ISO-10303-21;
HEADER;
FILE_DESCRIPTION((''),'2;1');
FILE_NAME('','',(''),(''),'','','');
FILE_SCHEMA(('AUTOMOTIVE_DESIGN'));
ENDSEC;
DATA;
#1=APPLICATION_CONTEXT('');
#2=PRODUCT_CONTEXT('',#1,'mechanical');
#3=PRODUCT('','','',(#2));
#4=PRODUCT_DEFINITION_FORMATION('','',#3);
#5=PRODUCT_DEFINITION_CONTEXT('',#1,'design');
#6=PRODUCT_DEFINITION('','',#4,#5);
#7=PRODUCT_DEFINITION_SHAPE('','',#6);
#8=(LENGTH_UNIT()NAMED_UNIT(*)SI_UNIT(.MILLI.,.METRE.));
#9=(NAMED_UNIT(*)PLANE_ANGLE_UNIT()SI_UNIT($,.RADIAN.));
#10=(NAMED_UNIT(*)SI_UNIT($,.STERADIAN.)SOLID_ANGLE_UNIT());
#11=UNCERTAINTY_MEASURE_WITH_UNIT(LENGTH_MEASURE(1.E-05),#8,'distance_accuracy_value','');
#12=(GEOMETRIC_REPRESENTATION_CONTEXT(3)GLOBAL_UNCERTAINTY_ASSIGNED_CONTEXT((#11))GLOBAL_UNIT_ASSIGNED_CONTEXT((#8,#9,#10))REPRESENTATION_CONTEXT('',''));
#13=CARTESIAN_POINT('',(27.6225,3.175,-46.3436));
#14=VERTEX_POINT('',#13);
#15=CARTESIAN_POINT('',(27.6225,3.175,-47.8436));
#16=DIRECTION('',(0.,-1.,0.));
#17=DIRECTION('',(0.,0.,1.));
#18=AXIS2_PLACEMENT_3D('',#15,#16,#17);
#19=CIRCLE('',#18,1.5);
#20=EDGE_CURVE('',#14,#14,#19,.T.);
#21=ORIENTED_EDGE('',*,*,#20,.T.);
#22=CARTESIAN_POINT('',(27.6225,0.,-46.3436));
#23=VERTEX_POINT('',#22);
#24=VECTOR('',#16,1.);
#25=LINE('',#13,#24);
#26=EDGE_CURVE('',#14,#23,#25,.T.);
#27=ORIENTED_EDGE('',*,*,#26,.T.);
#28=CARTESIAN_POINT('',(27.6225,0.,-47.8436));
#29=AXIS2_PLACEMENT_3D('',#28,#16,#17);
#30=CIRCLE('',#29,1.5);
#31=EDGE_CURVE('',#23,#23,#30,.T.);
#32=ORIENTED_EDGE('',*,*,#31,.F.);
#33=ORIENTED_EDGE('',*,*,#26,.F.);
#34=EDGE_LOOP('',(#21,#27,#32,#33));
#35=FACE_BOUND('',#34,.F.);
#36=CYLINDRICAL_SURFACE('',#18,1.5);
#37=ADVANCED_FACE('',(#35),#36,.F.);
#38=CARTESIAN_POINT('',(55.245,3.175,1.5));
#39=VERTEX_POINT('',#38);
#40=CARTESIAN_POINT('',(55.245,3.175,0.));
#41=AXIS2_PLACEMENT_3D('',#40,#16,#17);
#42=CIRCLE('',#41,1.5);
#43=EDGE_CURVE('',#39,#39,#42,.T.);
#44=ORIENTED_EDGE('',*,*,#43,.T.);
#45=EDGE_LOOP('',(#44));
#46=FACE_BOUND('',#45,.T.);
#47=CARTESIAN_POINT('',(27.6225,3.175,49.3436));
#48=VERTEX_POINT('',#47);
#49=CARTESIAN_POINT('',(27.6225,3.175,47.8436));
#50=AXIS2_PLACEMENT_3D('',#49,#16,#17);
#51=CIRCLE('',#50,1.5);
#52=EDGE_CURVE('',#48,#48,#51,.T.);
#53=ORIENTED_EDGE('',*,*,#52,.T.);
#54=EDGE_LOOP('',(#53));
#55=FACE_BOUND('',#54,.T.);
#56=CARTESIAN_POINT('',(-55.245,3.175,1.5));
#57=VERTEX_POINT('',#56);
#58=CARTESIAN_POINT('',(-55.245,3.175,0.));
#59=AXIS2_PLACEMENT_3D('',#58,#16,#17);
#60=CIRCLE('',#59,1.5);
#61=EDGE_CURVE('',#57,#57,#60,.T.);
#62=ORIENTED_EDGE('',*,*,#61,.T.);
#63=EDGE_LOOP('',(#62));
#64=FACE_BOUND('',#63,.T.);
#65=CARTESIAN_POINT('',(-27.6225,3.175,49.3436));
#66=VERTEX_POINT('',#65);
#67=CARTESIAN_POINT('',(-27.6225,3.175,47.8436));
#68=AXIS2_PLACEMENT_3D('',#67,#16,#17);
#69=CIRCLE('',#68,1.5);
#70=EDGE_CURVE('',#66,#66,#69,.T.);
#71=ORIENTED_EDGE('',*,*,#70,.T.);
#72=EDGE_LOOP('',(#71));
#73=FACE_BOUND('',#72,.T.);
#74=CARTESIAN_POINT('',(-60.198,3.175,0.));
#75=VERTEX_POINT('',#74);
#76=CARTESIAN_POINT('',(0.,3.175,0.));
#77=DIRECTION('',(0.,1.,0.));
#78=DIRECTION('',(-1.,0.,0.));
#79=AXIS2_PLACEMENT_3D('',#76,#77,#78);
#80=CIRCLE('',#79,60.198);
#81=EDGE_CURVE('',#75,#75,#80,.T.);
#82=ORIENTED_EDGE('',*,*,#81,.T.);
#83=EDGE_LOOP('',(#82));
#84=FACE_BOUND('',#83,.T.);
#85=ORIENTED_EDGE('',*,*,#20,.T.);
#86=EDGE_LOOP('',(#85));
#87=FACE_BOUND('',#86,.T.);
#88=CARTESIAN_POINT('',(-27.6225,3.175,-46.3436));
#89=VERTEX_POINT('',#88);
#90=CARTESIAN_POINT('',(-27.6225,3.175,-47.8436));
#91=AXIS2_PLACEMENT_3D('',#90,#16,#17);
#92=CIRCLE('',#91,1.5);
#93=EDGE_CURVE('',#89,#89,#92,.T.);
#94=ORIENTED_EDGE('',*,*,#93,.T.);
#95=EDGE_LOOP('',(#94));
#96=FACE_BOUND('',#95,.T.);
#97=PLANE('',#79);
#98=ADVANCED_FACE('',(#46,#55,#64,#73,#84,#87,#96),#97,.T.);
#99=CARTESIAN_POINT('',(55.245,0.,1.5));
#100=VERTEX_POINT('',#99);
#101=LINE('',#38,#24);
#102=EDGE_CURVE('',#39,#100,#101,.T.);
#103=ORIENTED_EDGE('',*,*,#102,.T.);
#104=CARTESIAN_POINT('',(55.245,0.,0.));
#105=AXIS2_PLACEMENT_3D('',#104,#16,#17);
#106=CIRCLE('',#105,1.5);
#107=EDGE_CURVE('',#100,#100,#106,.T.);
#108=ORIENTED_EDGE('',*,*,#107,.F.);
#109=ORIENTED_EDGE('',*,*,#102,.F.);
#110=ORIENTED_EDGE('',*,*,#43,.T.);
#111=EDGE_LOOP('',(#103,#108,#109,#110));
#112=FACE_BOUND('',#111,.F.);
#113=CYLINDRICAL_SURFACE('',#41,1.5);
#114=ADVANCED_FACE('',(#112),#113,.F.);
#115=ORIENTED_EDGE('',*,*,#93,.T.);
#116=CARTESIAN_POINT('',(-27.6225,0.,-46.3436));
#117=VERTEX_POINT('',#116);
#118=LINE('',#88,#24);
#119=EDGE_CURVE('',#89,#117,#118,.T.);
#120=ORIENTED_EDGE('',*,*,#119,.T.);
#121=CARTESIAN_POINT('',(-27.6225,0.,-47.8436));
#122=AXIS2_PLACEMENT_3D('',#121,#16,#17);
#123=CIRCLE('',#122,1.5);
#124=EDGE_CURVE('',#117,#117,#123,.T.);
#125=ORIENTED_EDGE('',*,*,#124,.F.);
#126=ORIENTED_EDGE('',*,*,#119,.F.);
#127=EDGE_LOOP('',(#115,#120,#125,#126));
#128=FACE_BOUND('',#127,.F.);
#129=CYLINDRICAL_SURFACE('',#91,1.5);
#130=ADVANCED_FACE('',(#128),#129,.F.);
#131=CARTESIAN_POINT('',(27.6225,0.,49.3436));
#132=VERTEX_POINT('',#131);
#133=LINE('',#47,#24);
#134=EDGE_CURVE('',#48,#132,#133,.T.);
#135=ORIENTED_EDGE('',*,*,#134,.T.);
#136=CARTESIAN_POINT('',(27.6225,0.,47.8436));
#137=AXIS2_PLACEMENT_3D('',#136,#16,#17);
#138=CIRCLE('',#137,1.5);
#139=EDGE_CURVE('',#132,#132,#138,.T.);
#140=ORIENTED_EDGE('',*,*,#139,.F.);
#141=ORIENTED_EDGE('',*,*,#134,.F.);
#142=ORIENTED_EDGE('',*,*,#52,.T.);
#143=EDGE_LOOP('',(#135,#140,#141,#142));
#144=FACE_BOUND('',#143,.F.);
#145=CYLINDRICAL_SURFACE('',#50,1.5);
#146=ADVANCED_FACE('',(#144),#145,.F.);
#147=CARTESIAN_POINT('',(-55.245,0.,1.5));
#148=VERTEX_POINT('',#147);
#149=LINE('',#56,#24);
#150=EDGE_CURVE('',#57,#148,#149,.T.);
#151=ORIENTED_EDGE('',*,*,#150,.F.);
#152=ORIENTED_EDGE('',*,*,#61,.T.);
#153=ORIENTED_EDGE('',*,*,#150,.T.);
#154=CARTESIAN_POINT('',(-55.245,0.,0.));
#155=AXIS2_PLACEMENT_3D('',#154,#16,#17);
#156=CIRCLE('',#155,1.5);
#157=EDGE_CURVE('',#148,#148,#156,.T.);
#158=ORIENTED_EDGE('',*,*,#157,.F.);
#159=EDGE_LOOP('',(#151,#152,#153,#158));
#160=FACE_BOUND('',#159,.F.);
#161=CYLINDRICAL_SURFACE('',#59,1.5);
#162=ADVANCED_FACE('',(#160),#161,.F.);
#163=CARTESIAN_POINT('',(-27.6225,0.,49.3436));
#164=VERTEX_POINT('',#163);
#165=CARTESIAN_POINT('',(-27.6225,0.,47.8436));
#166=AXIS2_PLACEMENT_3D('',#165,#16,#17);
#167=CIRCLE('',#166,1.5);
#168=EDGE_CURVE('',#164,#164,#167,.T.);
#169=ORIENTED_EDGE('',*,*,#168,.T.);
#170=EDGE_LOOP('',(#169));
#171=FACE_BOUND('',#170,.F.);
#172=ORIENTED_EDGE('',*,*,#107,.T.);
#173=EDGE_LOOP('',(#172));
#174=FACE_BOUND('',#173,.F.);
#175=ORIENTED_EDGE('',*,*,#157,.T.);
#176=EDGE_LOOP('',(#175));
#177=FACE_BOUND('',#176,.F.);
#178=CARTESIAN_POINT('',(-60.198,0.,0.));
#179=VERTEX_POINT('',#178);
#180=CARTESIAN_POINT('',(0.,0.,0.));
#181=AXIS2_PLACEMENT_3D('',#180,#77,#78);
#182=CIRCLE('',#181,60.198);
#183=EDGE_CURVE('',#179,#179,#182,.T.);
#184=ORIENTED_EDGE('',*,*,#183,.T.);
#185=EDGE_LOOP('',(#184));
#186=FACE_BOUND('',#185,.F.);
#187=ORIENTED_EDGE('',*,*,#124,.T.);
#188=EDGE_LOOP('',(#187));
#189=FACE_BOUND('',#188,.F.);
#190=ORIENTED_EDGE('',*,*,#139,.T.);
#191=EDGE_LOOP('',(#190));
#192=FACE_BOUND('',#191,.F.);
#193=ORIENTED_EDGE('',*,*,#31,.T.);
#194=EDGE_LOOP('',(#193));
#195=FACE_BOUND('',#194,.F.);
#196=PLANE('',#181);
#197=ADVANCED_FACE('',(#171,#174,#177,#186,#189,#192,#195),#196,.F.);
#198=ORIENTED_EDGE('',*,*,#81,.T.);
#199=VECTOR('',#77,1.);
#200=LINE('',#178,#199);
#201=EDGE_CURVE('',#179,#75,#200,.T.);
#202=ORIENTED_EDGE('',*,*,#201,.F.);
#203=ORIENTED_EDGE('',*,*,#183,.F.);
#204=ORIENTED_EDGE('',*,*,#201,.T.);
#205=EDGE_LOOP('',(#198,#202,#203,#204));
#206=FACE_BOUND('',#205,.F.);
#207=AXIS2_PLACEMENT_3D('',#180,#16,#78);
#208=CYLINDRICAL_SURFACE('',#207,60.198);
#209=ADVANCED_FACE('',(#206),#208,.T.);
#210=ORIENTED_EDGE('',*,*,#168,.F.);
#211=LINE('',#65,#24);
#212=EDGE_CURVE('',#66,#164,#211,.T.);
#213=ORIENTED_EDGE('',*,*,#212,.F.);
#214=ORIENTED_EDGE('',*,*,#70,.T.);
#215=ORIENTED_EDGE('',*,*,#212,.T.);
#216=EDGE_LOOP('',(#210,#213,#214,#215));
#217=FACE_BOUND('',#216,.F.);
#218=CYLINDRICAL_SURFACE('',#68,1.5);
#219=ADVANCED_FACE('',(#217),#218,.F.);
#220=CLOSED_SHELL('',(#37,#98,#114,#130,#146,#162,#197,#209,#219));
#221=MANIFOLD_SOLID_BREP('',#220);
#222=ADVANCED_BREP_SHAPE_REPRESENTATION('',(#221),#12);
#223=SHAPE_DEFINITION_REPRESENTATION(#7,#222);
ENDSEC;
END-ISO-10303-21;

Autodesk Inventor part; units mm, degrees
ref_plane "YZ Plane" through (0, 0, 0) normal (1, 0, 0) x (0, 1, 0)
ref_plane "XZ Plane" through (0, 0, 0) normal (0, 1, 0) x (-1, 0, 0)
ref_plane "XY Plane" through (0, 0, 0) normal (0, 0, 1) x (1, 0, 0)
sketch "Sketch2" plane through (0, 0, 0) normal (0, 1, 0) x (-1, 0, 0)
  circle A0 centre (0, 0) radius 60.198
  dimension "d3" = 120.396
extrude "Extrusion1" add sketch "Sketch2" along normal blind 3.175
sketch "Sketch3" plane through (0, 3.175, 0) normal (0, 1, 0) x (1, 0, 0)
  point P0 (0, 0)
  point P1 (-55.245, 0)
  point P2 (-27.6225, -47.8436)
  point P3 (27.6225, -47.8436)
  point P4 (55.245, 0)
  point P5 (27.6225, 47.8436)
  point P6 (-27.6225, 47.8436)
  dimension "d6" = 55.245
  dimension "d9" = 360
hole "Hole1" at (-55.245, 3.175, 0) at (-27.6225, 3.175, 47.8436) at (27.6225, 3.175, 47.8436) at (55.245, 3.175, 0) at (27.6225, 3.175, -47.8436) at (-27.6225, 3.175, -47.8436) direction (0, -1, 0) diameter 3 depth 25.4 tip angle 118
properties part number "Acrylic lense"
